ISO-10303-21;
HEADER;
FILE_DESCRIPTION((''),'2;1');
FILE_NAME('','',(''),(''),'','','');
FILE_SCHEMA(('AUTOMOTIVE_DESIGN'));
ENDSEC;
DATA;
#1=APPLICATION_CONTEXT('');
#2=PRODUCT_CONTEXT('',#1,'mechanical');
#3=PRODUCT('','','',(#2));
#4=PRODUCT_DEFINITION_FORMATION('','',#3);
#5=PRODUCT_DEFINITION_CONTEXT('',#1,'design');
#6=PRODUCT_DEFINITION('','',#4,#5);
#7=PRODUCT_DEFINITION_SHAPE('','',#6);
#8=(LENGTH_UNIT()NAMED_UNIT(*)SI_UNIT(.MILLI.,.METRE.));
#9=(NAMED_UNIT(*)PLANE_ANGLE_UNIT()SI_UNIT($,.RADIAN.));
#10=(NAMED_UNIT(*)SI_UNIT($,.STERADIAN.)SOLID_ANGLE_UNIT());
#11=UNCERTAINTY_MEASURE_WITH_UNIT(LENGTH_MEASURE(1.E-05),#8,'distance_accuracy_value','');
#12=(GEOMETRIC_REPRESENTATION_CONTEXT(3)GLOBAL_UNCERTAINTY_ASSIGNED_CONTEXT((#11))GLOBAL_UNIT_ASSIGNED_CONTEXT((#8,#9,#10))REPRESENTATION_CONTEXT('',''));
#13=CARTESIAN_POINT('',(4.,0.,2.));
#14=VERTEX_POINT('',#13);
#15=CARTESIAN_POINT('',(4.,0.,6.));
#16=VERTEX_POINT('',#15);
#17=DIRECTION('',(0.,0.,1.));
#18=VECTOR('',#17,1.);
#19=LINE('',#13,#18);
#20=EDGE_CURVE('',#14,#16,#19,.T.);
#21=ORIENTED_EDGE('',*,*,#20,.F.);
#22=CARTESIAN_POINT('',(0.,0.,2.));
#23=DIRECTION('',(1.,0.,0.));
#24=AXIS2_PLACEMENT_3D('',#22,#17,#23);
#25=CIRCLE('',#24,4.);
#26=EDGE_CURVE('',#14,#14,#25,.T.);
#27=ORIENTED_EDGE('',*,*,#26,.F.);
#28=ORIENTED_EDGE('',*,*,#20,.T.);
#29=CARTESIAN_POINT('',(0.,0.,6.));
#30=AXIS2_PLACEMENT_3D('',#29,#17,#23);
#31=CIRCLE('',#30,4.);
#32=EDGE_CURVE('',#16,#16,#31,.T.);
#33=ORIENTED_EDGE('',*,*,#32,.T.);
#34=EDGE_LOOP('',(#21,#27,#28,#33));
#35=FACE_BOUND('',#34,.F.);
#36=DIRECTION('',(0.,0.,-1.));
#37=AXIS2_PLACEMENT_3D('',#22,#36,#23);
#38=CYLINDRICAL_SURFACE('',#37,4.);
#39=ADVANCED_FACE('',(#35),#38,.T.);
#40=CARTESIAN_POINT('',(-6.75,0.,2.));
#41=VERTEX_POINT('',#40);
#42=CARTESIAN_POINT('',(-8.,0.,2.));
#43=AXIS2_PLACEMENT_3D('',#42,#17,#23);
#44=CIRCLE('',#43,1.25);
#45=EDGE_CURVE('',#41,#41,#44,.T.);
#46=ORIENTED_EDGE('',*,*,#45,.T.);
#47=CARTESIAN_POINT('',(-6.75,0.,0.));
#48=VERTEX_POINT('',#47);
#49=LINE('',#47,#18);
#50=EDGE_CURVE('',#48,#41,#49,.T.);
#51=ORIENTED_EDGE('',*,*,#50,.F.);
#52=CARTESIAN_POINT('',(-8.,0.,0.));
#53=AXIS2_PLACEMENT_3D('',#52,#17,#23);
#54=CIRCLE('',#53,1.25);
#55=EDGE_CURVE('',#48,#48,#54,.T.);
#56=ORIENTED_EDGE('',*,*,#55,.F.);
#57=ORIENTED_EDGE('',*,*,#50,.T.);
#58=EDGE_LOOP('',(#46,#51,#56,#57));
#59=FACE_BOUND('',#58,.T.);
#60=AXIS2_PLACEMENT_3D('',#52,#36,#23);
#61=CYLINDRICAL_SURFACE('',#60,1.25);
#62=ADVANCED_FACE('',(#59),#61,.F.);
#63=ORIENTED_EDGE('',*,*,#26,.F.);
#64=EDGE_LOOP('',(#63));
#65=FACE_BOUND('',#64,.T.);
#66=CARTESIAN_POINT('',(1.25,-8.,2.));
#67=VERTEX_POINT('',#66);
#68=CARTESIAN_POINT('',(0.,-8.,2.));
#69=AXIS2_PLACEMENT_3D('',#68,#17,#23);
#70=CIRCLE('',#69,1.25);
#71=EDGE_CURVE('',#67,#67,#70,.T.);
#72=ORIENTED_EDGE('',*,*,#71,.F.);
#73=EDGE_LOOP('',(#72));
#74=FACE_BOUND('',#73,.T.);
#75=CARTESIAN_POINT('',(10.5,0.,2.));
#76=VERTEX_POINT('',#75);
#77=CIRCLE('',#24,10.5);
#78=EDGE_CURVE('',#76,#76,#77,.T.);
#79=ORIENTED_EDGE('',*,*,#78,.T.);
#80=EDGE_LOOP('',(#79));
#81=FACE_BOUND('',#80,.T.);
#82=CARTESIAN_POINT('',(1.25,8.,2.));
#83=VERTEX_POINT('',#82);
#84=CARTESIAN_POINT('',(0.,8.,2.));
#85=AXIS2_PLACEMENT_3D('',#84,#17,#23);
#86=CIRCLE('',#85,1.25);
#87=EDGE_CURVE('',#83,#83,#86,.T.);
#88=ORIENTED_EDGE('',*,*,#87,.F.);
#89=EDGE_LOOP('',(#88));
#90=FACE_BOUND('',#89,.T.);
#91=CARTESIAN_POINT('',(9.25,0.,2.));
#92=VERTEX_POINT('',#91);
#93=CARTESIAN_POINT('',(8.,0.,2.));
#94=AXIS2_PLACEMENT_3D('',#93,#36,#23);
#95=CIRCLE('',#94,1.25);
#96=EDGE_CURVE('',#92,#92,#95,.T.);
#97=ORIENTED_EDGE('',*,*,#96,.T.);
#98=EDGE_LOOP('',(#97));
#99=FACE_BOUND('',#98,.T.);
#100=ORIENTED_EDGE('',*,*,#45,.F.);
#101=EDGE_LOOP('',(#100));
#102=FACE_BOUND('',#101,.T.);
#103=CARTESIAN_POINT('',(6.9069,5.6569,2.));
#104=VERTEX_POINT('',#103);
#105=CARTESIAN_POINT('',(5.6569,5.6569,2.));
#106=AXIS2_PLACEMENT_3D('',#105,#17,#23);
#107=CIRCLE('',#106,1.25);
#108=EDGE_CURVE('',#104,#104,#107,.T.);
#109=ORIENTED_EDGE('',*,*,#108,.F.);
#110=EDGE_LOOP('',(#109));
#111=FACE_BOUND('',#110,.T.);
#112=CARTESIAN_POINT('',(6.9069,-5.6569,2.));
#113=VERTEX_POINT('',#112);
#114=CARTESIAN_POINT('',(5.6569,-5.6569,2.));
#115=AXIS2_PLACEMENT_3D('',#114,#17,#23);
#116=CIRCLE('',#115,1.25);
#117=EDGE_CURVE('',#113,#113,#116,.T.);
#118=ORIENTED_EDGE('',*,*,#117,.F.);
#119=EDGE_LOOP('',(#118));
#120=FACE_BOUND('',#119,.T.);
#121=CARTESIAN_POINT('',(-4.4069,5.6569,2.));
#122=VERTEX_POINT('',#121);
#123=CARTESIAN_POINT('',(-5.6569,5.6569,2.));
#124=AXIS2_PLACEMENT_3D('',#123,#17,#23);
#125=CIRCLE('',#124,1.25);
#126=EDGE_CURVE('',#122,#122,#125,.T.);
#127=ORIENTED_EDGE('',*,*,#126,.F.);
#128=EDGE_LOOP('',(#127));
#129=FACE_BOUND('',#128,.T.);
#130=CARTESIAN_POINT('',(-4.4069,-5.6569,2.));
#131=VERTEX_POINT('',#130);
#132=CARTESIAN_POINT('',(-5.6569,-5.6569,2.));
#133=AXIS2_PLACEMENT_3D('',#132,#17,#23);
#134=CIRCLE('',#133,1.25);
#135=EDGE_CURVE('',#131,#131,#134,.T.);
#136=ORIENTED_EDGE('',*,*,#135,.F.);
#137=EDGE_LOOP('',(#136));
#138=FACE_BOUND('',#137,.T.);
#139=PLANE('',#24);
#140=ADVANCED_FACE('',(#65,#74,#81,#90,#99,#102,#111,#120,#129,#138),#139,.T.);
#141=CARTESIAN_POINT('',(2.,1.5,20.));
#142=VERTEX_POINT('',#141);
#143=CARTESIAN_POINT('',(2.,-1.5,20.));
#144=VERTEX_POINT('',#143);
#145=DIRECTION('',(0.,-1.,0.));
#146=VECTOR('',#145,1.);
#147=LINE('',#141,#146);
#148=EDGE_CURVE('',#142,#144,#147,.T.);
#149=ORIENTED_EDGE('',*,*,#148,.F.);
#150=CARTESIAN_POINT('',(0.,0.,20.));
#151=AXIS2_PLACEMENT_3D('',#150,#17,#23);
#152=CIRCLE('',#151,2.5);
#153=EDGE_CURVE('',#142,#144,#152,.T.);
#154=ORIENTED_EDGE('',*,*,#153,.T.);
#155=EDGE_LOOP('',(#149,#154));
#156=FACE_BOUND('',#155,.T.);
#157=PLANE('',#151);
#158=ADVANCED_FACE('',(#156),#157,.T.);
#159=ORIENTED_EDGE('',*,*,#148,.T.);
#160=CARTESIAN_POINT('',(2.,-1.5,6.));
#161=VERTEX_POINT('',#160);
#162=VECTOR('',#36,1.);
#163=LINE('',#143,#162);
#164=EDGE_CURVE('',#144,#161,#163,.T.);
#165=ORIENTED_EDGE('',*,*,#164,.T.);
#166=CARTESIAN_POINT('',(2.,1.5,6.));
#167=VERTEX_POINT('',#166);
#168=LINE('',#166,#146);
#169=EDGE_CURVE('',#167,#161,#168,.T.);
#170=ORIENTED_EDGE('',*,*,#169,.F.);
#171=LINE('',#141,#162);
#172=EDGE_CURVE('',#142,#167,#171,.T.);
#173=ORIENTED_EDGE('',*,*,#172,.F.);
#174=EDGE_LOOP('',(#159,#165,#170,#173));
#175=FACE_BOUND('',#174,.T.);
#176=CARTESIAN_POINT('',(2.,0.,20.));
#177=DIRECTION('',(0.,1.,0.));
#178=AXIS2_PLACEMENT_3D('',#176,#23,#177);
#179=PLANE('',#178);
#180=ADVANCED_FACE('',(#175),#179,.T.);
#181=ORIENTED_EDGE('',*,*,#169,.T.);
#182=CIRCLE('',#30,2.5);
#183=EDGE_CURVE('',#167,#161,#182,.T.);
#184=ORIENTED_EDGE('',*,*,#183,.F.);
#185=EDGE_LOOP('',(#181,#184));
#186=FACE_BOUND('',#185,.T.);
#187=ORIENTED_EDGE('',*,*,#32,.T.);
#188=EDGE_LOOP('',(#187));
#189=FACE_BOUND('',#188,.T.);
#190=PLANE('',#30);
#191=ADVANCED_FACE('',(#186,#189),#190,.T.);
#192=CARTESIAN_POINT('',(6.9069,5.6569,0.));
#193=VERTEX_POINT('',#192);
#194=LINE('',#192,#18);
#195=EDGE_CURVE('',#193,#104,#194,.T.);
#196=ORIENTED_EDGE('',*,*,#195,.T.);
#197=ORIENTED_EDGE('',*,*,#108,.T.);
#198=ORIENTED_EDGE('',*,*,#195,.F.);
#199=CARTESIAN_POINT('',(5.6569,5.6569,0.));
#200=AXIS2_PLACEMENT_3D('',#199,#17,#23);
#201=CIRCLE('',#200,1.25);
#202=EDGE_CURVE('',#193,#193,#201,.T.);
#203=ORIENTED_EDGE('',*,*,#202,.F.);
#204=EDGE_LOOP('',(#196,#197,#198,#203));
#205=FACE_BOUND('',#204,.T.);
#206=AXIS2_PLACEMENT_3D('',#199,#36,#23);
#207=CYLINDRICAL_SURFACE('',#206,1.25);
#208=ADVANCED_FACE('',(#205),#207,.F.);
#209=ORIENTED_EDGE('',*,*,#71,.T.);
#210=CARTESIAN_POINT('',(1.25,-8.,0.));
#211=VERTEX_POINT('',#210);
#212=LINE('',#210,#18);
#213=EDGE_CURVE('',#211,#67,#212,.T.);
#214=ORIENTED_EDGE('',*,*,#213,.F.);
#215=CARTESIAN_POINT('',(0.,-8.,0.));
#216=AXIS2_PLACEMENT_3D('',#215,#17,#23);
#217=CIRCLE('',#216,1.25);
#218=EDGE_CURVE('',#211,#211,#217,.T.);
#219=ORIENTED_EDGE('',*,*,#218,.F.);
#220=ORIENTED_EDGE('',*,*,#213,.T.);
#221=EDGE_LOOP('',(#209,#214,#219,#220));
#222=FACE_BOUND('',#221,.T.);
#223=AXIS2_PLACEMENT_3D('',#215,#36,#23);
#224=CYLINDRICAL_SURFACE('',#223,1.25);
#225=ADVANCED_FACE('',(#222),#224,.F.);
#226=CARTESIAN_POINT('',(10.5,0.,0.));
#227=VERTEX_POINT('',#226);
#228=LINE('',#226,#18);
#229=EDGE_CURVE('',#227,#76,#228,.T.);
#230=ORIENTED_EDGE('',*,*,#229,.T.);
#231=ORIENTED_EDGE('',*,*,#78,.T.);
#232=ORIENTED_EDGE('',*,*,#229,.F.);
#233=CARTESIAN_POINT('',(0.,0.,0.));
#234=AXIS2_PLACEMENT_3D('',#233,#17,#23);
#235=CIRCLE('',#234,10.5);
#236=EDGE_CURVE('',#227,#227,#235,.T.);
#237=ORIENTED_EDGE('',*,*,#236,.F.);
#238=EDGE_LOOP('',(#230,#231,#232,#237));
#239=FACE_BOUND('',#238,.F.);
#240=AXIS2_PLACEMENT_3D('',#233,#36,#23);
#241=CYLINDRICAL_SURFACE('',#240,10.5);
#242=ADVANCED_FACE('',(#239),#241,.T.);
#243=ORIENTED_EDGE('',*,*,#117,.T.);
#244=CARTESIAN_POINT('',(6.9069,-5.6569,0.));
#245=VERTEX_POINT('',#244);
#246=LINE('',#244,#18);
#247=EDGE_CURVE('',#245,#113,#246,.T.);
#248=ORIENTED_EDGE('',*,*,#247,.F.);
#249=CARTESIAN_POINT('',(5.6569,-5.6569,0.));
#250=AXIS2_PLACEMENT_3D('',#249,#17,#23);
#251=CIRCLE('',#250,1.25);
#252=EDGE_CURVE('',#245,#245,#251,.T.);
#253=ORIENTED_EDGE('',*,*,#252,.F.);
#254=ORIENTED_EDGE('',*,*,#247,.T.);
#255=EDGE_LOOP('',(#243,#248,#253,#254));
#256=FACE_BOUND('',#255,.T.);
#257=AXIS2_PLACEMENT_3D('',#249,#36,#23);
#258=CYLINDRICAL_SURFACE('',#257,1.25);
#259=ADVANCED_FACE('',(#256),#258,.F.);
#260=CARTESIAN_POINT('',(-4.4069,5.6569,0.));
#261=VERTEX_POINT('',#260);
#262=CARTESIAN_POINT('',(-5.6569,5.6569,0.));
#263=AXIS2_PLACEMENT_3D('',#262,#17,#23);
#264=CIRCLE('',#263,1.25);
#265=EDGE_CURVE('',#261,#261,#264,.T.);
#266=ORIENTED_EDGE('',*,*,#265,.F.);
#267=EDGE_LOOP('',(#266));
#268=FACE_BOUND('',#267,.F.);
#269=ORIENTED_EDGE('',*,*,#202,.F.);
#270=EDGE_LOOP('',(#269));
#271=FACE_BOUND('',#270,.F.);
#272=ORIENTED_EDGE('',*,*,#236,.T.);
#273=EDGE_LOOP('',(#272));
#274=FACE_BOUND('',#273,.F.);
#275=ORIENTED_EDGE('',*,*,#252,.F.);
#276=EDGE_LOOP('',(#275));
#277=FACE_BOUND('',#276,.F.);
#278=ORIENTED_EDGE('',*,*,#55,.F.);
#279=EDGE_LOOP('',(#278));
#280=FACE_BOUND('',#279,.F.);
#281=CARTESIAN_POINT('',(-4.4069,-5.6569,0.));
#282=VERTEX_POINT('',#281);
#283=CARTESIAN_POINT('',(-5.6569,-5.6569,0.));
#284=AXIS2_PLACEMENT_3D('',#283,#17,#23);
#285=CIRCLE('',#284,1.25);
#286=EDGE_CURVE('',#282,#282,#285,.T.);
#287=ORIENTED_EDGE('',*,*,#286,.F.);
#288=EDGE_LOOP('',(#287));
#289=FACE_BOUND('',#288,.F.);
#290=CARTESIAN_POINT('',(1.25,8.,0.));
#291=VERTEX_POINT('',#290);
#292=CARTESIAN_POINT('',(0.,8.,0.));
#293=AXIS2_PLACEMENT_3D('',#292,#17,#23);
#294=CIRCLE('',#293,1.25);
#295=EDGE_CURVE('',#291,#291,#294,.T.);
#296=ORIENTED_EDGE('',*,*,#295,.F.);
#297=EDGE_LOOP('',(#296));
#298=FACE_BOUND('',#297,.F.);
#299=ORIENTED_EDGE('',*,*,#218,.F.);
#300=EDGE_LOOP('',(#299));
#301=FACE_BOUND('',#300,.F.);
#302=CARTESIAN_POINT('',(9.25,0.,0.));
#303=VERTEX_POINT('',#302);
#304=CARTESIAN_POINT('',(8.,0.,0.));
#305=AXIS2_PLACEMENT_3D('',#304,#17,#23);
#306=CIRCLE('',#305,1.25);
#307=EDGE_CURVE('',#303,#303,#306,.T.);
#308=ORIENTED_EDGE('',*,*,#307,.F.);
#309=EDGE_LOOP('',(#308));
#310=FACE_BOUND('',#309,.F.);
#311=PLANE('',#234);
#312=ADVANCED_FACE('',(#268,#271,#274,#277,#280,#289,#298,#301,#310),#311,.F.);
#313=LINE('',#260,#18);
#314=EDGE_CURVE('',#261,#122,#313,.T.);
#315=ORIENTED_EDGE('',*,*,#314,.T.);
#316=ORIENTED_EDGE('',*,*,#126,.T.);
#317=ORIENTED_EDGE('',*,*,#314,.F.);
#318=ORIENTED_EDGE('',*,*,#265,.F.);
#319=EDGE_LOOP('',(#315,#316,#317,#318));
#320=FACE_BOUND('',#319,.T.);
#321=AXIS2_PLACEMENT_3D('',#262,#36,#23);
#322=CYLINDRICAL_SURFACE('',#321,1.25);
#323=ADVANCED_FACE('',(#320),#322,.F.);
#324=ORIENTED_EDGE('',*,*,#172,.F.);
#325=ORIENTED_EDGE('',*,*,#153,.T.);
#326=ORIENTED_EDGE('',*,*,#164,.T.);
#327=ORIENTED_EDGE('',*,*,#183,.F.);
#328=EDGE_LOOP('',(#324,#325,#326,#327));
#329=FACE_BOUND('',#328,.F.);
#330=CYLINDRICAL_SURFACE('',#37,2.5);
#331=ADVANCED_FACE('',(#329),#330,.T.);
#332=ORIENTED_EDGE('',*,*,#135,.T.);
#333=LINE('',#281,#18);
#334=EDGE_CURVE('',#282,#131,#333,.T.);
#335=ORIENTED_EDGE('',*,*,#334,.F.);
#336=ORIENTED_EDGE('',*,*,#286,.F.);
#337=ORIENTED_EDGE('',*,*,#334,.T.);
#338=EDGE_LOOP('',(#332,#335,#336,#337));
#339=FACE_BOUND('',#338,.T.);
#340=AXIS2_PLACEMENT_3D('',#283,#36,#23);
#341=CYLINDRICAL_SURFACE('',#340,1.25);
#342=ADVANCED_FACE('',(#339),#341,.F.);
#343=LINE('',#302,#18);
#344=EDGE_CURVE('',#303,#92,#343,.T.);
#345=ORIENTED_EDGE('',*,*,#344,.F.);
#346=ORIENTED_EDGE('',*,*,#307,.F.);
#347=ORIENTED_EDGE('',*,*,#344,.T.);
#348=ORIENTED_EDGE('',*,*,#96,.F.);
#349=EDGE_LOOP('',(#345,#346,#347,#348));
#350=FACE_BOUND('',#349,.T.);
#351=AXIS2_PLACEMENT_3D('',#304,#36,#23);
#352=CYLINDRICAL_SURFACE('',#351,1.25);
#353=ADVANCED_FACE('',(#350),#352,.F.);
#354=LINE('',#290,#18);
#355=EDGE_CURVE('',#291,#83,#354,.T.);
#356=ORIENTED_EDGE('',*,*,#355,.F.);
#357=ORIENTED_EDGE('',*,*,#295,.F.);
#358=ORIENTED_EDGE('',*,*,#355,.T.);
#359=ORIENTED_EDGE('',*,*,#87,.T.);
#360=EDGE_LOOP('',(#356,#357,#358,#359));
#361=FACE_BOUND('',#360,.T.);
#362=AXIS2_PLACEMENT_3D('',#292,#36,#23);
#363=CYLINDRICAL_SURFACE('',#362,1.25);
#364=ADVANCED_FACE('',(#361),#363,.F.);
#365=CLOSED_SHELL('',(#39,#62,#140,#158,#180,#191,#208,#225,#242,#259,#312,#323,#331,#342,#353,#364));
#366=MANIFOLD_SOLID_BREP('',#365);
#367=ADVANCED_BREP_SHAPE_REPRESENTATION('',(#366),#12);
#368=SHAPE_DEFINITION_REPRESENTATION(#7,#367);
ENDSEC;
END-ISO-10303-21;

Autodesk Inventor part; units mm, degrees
ref_plane "YZ Plane" through (0, 0, 0) normal (1, 0, 0) x (0, 1, 0)
ref_plane "XZ Plane" through (0, 0, 0) normal (0, 1, 0) x (-1, 0, 0)
ref_plane "XY Plane" through (0, 0, 0) normal (0, 0, 1) x (1, 0, 0)
sketch "Sketch1" plane through (0, 0, 0) normal (0, 0, 1) x (1, 0, 0)
  circle A0 centre (0, 0) radius 10.5
  line L0 (0, 0) -> (8, 0)
  circle A1 centre (8, 0) radius 1.25
  circle A2 centre (5.6569, 5.6569) radius 1.25
  circle A3 centre (0, 8) radius 1.25
  circle A4 centre (-5.6569, 5.6569) radius 1.25
  circle A5 centre (-8, 0) radius 1.25
  circle A6 centre (-5.6569, -5.6569) radius 1.25
  circle A7 centre (0, -8) radius 1.25
  circle A8 centre (5.6569, -5.6569) radius 1.25
  dimension "d0" = 21
  dimension "d1" = 8
  dimension "d2" = 2.5
  dimension "d5" = 360
extrude "Extrusion1" add sketch "Sketch1" along normal blind 2
sketch "Sketch2" plane through (0, 0, 2) normal (0, 0, 1) x (1, 0, 0)
  circle A0 centre (0, 0) radius 2.5
  dimension "d9" = 5
extrude "Extrusion3" add sketch "Sketch2" along normal blind 18
sketch "Sketch3" plane through (0, 0, 2) normal (0, 0, 1) x (1, 0, 0)
  circle A0 centre (0, 0) radius 2.5 projected
  circle A1 centre (0, 0) radius 4
  dimension "d14" = 8
extrude "Extrusion4" add sketch "Sketch3" along normal blind 4
sketch "Sketch4" plane through (0, 0, 20) normal (0, 0, 1) x (1, 0, 0)
  line L0 (0, 0) -> (2, 0)
  line L1 (0, 0) -> (2, 0) construction
  line L2 (2, 0) -> (2, 1.5)
  circle A0 centre (0, 0) radius 2.5 projected
  line L3 (2, 0) -> (2, -1.5)
  circle A1 centre (0, 0) radius 2.5
  dimension "d17" = 2
  dimension "d18" = 0
extrude "Extrusion5" cut sketch "Sketch4" against normal blind 14 contours L2 A0 L3 picked at (2.0912, -0.8466)
properties part number "Drive_shaft"
